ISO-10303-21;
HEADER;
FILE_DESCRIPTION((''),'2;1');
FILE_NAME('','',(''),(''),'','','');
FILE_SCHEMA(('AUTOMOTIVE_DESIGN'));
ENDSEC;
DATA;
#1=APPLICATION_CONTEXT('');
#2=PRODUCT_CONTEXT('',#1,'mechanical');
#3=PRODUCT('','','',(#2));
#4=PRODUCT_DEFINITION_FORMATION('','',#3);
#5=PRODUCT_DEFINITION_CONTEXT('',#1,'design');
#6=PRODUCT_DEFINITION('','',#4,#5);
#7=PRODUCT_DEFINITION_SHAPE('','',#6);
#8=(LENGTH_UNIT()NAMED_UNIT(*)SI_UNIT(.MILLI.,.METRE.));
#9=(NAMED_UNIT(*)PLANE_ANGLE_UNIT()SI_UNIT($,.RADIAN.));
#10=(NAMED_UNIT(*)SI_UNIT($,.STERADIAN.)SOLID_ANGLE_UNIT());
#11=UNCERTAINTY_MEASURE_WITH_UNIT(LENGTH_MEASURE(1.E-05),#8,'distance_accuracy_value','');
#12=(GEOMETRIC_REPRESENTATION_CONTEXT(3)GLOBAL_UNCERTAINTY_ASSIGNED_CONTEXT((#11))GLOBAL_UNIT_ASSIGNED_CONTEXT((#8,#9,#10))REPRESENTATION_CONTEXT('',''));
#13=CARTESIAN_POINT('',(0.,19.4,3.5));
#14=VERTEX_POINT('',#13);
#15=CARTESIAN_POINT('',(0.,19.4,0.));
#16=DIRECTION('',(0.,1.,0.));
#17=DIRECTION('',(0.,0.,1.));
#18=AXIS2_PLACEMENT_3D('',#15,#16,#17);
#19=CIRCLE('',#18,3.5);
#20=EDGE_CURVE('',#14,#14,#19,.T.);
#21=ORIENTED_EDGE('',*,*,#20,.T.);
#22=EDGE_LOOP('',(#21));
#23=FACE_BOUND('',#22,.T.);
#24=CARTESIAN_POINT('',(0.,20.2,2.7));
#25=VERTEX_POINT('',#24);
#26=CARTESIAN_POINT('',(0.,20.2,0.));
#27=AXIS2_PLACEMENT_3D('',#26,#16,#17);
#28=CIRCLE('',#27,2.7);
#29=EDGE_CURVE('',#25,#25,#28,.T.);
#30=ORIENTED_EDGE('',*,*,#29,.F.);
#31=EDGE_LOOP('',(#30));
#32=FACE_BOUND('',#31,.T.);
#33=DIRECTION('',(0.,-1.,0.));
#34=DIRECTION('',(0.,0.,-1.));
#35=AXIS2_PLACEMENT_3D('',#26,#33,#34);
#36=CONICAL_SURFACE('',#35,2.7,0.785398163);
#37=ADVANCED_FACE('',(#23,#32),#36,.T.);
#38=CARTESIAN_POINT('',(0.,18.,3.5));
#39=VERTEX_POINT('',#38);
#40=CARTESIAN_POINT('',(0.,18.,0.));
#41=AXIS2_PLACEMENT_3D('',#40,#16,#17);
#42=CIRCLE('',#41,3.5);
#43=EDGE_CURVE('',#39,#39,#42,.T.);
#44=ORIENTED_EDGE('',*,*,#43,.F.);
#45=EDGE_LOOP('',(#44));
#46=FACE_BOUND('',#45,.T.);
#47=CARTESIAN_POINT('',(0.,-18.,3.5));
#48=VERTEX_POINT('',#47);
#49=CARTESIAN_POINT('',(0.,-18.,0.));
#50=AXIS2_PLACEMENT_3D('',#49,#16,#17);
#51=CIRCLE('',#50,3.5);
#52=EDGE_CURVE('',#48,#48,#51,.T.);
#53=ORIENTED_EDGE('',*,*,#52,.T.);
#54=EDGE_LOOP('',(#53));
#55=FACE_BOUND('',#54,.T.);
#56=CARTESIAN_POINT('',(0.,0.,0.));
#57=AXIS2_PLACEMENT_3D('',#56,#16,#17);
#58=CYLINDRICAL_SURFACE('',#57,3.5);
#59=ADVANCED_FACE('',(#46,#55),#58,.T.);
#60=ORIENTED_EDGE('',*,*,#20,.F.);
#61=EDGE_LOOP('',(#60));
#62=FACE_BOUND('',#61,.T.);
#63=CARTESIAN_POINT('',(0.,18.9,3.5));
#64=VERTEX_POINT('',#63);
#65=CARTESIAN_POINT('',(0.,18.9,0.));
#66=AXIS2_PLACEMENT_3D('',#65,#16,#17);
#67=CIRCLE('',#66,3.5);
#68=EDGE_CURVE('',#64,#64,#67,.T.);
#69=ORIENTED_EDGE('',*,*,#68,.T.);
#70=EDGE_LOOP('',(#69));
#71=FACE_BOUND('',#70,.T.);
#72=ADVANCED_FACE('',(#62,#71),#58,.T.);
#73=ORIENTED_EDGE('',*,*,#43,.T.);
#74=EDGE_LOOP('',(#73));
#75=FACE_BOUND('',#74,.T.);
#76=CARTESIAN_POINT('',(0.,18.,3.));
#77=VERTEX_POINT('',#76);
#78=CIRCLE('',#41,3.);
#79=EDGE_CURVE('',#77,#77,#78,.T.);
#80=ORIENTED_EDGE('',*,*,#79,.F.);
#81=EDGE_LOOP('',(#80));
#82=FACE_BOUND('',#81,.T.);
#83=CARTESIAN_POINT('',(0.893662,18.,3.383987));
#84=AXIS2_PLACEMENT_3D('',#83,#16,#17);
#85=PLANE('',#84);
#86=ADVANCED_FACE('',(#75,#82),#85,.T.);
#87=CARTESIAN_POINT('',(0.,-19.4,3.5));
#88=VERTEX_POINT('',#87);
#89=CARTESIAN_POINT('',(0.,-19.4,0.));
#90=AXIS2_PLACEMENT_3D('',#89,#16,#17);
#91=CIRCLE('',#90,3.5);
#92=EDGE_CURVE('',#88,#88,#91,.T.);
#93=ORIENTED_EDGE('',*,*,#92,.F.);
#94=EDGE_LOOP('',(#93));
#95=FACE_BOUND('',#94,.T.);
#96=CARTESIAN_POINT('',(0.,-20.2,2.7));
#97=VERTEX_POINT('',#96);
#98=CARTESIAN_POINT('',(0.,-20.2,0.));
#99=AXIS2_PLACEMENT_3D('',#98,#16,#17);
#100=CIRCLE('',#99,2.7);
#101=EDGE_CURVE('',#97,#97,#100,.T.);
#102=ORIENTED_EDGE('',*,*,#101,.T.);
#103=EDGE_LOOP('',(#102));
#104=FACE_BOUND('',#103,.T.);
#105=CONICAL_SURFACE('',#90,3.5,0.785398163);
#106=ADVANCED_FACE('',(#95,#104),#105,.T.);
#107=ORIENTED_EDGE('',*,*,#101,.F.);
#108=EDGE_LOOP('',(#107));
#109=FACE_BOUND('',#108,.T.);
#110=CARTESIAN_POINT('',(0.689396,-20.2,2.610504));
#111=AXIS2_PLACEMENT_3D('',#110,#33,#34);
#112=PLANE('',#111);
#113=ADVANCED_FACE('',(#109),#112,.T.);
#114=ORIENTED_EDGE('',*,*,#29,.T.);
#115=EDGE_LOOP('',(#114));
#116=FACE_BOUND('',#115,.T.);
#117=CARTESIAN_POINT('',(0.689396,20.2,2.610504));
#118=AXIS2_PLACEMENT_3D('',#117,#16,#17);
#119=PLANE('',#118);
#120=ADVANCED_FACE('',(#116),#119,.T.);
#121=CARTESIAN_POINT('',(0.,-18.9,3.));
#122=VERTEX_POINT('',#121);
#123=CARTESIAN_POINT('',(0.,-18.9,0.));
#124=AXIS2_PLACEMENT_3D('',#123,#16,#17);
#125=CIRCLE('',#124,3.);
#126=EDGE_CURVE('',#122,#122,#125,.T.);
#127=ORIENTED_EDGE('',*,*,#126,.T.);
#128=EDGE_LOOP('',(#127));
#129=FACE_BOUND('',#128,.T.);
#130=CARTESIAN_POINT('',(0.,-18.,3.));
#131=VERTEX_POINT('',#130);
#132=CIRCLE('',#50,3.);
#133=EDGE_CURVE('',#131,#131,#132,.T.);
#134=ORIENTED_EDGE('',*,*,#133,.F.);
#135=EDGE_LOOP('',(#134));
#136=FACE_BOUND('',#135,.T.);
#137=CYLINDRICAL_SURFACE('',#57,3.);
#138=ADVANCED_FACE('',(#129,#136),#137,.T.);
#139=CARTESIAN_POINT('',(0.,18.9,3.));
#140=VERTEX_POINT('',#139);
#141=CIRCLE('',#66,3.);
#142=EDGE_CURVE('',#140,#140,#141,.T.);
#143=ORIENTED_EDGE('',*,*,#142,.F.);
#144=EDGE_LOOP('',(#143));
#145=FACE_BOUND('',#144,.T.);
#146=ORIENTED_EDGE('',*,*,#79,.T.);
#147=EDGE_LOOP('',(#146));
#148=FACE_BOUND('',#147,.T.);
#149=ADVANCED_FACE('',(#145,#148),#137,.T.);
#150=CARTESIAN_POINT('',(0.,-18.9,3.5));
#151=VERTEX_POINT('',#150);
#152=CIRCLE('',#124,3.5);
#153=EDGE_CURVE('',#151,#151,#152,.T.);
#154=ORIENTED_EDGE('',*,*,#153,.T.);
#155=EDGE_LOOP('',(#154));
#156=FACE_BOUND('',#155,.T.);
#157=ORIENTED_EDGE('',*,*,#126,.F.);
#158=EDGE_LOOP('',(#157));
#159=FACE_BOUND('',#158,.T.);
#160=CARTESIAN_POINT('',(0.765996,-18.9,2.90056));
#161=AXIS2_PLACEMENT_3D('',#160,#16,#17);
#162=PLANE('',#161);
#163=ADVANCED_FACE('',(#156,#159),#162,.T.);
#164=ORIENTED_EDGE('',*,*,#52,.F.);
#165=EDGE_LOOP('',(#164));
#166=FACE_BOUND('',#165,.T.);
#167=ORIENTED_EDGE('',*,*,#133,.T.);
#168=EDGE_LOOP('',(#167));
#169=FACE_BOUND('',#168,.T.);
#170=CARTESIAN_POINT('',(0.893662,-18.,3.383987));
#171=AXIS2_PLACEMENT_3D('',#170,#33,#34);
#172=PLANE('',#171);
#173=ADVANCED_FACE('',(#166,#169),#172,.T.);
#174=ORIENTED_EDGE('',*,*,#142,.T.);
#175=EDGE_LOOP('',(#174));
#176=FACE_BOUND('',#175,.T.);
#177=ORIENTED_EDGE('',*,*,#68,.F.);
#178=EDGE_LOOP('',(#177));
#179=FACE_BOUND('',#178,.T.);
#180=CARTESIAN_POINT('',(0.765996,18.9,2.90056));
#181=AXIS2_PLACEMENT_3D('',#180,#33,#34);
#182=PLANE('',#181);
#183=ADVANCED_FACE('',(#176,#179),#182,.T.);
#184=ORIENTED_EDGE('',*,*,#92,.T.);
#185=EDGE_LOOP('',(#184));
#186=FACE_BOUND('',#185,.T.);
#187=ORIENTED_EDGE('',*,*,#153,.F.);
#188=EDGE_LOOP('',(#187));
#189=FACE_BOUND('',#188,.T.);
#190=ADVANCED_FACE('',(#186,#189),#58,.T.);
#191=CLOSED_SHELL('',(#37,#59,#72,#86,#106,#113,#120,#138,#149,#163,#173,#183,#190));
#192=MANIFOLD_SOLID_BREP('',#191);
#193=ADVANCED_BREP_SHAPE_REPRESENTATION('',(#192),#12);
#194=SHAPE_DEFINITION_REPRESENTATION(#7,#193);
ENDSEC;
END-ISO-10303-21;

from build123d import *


with BuildPart() as part:
    # Esquisse1 → Base-Révolution (revolve)
    with BuildSketch(Plane(origin=(0, 0, 0), x_dir=(-0.25533200274967977, 0, -0.9668534368619877), z_dir=(0.9668534368619877, 0, -0.25533200274967977))):
        Polygon((-3.5, 18), (-3.5, -18), (-3, -18), (-3, -18.9), (-3.5, -18.9), (-3.5, -19.4), (-2.7, -20.2), (0, -20.2), (0, 20.2), (-2.7, 20.2), (-3.5, 19.4), (-3.5, 18.9), (-3, 18.9), (-3, 18), align=None)
    revolve(axis=Axis((0, 0, 0), (0, -1, 0)))


solid = part.part
